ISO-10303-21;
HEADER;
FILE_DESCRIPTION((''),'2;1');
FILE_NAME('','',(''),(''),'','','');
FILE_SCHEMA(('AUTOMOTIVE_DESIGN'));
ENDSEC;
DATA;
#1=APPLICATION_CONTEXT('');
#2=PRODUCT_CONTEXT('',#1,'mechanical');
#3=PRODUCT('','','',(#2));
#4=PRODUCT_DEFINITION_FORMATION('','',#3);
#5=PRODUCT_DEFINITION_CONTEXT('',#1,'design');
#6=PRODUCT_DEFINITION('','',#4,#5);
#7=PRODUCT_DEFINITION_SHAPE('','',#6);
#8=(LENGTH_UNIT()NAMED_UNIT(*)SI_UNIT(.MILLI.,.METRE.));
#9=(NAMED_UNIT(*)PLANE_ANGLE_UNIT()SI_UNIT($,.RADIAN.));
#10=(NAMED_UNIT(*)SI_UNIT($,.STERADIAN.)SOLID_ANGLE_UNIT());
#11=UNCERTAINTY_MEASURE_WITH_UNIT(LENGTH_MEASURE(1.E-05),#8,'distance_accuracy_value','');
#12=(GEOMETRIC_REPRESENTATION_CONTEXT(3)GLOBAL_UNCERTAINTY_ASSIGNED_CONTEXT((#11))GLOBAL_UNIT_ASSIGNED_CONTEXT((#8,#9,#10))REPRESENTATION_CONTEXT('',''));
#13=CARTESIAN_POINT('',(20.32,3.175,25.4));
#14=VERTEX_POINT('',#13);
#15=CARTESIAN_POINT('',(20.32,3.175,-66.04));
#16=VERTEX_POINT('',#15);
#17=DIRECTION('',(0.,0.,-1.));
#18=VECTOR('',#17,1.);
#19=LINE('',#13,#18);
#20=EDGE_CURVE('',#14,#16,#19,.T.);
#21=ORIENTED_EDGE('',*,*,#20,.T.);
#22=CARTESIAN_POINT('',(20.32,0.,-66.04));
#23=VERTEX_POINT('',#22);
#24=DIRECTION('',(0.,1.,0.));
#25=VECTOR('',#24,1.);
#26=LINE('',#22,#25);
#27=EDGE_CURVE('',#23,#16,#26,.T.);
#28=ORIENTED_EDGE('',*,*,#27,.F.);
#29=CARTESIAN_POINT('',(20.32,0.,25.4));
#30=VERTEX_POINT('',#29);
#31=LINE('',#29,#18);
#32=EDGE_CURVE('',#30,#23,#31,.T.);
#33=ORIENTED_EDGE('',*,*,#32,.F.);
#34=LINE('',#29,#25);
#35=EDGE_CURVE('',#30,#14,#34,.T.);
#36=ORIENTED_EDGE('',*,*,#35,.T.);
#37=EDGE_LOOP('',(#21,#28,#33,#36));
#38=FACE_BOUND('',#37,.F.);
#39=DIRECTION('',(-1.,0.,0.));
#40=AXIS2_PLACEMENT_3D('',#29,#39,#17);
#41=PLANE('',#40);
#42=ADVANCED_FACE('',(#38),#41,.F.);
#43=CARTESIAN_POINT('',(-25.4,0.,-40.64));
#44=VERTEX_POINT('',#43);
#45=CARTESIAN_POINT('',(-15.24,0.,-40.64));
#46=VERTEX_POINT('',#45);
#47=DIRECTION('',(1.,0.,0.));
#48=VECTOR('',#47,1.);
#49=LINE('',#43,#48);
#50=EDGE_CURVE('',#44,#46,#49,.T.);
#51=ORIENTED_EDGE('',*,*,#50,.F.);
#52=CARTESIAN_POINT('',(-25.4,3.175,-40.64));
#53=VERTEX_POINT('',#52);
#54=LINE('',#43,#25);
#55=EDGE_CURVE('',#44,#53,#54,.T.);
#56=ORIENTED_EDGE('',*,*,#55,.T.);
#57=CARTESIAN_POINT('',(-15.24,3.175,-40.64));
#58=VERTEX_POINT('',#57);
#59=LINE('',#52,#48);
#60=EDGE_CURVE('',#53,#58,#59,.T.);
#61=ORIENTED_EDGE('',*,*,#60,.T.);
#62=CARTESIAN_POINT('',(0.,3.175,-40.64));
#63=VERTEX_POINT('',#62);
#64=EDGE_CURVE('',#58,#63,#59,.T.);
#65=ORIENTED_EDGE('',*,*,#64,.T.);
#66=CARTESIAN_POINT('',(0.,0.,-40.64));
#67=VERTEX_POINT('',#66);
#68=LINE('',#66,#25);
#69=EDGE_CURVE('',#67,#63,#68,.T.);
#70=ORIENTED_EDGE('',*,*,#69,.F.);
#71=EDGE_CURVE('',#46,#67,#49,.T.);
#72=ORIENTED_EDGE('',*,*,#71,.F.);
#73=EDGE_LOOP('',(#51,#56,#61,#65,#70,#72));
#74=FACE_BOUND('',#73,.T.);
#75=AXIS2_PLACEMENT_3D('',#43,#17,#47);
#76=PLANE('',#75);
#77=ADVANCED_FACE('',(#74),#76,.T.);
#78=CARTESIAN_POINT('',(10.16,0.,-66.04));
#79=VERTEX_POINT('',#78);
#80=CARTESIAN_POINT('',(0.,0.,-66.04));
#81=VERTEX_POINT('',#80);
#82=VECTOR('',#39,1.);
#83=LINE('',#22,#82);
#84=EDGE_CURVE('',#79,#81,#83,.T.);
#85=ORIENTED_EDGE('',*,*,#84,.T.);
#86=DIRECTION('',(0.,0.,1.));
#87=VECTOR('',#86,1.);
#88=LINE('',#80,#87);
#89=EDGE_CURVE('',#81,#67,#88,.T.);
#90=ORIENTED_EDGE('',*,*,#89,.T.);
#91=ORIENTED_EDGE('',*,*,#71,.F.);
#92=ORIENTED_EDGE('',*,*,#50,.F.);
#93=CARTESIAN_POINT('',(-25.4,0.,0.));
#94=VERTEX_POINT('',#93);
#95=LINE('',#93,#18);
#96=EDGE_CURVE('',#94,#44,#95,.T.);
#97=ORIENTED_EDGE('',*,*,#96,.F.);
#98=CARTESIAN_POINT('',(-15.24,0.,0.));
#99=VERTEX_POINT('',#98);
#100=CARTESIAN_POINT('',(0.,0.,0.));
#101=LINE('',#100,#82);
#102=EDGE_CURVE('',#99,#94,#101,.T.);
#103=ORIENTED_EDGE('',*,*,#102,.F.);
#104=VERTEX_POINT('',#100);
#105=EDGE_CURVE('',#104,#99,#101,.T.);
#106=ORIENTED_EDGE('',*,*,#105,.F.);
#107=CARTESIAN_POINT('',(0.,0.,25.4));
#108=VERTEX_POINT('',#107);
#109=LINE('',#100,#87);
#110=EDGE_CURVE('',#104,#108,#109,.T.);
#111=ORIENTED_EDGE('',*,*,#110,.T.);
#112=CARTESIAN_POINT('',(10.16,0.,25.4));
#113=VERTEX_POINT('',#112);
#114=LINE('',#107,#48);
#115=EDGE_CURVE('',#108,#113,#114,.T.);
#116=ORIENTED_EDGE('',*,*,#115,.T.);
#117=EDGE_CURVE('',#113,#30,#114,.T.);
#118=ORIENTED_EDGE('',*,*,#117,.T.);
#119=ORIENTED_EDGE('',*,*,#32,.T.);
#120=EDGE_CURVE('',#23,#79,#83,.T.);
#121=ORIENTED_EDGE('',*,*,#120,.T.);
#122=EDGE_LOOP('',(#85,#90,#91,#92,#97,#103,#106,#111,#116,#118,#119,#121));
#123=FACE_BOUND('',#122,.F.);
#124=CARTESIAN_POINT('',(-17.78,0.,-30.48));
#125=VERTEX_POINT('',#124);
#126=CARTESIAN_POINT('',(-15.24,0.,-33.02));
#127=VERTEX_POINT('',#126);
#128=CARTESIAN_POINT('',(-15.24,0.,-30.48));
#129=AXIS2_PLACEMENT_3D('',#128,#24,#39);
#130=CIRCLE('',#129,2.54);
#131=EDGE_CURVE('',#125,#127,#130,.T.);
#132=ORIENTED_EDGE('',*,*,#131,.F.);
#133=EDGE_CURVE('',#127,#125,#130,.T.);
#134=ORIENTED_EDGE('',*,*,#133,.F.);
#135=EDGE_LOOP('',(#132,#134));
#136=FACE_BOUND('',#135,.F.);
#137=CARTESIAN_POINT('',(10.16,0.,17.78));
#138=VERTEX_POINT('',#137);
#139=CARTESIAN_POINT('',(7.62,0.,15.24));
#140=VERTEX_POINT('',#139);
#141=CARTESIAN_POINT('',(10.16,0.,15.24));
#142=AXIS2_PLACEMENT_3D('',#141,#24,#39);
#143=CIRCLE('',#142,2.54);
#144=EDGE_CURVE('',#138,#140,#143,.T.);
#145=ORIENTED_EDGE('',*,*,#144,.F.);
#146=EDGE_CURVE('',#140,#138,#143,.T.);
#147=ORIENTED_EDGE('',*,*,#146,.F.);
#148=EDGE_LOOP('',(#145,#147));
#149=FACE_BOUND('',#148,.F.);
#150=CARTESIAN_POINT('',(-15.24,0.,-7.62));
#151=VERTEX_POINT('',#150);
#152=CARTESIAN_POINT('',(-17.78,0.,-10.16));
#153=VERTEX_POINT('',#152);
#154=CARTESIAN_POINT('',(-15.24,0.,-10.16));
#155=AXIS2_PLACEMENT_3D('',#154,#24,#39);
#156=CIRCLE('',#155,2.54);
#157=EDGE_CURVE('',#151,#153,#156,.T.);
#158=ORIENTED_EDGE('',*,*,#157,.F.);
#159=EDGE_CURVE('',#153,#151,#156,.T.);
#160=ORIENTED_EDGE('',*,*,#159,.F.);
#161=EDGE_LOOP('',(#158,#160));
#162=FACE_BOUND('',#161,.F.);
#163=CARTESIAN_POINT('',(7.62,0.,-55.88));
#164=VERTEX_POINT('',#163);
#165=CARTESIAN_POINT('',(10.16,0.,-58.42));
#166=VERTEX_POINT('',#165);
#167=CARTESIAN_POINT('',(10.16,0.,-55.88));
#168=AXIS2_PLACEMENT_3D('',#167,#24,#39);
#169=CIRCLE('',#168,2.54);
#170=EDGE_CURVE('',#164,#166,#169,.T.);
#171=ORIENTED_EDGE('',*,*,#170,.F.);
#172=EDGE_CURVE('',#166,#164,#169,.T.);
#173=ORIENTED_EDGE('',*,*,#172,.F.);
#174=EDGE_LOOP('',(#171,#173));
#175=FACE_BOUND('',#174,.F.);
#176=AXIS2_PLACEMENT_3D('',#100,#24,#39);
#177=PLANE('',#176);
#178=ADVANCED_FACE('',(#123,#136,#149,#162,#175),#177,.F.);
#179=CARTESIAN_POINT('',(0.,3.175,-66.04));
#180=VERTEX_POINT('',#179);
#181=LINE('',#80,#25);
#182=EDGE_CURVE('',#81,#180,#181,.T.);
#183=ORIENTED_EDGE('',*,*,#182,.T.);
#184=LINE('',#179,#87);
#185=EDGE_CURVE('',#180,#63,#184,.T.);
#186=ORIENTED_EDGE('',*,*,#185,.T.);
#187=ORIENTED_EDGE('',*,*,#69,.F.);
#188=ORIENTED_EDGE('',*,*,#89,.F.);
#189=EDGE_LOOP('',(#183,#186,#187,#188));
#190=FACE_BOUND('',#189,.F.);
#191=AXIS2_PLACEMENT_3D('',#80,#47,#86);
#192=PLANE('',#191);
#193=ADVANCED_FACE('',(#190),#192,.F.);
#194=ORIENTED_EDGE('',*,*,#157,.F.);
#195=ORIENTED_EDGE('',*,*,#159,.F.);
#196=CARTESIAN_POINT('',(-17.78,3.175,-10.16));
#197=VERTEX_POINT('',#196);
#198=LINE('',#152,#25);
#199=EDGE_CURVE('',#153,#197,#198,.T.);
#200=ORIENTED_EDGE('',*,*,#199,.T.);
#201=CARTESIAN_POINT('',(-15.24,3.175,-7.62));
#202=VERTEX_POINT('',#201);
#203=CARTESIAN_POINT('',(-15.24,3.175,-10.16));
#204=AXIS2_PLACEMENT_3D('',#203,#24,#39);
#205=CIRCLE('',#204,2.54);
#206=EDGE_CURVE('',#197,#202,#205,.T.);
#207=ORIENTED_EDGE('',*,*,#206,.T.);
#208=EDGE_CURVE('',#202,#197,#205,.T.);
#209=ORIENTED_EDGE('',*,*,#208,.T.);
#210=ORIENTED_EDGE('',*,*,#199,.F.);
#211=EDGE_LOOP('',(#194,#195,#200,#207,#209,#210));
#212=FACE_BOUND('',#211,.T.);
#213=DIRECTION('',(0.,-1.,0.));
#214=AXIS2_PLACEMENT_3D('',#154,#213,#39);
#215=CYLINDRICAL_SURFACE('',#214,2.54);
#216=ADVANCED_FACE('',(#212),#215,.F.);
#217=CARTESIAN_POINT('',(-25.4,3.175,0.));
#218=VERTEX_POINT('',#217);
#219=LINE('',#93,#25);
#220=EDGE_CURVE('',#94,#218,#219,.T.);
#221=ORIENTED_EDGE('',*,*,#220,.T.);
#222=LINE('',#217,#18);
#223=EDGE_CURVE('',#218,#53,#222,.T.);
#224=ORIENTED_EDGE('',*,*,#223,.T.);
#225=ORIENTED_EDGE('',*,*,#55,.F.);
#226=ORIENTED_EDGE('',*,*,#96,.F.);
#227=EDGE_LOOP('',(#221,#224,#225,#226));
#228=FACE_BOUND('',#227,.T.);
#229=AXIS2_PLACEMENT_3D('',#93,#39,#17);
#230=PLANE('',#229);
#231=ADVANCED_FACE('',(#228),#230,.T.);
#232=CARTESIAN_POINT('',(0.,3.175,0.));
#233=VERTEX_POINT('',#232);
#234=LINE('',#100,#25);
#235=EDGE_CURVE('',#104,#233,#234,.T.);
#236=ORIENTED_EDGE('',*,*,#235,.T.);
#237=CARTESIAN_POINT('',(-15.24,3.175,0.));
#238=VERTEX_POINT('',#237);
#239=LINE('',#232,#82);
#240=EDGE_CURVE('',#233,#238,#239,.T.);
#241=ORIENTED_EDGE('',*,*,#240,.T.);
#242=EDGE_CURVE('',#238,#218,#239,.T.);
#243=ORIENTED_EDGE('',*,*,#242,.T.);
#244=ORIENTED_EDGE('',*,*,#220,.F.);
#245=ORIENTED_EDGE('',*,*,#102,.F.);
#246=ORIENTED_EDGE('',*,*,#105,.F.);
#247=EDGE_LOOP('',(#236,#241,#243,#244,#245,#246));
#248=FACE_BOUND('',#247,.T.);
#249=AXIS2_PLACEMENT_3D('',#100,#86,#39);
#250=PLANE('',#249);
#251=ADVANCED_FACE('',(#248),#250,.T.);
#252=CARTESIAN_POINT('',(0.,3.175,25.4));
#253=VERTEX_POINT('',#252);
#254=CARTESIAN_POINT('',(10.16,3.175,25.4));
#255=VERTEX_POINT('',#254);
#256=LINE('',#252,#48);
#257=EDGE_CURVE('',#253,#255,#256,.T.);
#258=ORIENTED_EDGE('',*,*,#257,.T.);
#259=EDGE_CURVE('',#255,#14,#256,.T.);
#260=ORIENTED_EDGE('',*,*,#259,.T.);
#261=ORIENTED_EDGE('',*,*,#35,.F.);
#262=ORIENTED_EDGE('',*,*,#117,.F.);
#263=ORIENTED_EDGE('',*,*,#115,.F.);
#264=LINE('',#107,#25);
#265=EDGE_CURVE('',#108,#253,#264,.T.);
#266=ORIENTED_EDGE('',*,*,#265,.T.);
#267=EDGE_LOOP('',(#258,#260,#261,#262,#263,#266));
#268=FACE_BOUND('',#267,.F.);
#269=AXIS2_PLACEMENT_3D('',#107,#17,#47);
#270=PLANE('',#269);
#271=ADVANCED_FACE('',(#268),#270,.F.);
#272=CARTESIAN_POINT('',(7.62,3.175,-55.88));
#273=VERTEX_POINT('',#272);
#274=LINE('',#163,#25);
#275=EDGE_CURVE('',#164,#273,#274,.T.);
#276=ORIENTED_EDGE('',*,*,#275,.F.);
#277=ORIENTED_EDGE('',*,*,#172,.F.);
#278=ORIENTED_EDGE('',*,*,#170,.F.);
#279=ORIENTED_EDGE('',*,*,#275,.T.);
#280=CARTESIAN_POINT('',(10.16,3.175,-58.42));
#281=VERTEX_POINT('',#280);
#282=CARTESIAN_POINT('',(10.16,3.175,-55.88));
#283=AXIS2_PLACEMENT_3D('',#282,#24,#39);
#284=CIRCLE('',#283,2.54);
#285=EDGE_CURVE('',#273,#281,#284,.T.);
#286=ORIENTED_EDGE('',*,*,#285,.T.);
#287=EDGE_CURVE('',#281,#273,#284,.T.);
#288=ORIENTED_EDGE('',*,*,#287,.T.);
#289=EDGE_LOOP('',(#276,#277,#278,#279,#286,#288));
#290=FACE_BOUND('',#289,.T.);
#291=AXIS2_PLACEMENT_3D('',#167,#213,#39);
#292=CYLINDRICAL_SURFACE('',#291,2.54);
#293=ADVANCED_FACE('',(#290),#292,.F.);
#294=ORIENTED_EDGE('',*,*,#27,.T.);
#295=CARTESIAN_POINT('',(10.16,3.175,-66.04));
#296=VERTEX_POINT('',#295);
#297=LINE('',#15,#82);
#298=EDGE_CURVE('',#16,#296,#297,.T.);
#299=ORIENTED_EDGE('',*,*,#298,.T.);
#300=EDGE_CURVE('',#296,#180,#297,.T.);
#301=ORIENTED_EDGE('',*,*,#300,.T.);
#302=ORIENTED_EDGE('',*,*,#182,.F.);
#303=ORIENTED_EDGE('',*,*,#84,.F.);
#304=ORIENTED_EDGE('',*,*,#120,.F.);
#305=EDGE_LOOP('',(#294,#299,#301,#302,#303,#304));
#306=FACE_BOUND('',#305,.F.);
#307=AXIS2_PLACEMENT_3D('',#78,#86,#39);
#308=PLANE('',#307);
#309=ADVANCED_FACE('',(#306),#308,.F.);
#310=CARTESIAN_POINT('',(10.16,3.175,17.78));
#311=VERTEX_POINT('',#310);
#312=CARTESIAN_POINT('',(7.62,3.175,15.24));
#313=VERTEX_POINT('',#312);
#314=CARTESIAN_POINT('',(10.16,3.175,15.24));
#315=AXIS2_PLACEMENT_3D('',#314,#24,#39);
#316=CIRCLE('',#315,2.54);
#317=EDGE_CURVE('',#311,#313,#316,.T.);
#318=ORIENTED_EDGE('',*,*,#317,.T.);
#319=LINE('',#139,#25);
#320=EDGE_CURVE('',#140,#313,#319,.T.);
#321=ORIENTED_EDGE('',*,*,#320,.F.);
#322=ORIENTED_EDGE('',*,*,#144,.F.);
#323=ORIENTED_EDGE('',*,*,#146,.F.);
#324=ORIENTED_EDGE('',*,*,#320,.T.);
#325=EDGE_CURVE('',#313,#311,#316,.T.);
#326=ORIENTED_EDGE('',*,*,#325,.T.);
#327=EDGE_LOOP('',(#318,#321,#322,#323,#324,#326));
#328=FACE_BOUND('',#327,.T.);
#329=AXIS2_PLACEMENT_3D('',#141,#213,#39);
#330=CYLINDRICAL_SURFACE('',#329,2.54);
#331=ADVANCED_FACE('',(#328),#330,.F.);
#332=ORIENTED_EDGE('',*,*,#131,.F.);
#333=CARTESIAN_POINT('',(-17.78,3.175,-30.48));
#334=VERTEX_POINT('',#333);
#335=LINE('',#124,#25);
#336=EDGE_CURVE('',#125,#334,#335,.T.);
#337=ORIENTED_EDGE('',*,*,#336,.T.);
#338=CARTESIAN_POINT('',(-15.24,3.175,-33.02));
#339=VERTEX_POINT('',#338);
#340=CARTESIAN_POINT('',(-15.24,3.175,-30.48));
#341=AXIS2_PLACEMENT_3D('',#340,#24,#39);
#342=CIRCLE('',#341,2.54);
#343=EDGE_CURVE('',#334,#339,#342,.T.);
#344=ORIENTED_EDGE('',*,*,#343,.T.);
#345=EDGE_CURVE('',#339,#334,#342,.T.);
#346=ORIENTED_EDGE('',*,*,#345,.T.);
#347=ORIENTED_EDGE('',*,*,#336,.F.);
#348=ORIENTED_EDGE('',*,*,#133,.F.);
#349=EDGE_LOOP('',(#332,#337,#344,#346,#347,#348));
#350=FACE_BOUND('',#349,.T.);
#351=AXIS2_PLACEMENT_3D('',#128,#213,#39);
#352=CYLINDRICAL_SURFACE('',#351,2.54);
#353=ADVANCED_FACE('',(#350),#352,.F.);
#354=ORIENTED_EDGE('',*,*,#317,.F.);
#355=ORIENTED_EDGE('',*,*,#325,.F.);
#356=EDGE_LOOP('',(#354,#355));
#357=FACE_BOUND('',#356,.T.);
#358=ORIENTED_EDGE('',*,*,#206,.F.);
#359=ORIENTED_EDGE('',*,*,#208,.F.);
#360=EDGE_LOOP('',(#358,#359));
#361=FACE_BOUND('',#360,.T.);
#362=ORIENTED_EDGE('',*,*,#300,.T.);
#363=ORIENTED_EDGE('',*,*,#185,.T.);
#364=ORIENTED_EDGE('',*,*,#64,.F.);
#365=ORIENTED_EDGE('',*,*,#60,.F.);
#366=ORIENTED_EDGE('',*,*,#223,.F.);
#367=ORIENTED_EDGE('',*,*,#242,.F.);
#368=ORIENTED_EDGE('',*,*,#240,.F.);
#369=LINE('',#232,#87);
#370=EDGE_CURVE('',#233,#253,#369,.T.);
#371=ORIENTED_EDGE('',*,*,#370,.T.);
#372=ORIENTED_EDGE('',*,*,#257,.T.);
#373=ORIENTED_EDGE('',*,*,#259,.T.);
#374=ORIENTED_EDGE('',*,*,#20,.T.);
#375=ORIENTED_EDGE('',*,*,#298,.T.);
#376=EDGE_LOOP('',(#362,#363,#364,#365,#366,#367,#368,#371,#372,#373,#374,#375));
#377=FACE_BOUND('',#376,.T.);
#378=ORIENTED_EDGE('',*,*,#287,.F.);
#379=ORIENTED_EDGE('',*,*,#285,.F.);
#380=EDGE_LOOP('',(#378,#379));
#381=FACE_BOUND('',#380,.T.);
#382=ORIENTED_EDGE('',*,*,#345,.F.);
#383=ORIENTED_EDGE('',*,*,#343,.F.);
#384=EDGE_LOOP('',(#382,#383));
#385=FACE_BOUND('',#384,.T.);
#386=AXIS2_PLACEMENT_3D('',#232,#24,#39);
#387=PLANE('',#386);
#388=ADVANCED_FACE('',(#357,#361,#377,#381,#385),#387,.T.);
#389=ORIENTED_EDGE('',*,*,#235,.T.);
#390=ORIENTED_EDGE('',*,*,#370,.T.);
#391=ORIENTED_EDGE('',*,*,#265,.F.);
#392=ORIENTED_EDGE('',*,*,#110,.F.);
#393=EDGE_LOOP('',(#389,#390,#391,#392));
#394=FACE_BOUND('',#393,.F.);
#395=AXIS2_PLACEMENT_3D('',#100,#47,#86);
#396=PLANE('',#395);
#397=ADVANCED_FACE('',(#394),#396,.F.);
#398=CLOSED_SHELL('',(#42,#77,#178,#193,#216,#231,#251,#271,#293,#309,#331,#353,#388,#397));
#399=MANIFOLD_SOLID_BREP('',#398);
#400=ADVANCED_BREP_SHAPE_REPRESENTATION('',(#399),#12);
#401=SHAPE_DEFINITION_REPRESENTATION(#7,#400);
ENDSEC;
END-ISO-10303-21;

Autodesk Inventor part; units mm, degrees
ref_plane "YZ Plane" through (0, 0, 0) normal (1, 0, 0) x (0, 1, 0)
ref_plane "XZ Plane" through (0, 0, 0) normal (0, 1, 0) x (-1, 0, 0)
ref_plane "XY Plane" through (0, 0, 0) normal (0, 0, 1) x (1, 0, 0)
sketch "Sketch1" plane through (0, 0, 0) normal (0, 1, 0) x (-1, 0, 0)
  line L0 (0, 0) -> (25.4, 0)
  line L1 (25.4, 0) -> (25.4, -40.64)
  line L2 (25.4, -40.64) -> (0, -40.64)
  line L3 (0, -40.64) -> (0, 0)
  line L4 (25.4, 0) -> (15.24, 0)
  line L5 (15.24, 0) -> (15.24, -10.16)
  line L6 (25.4, -40.64) -> (15.24, -40.64)
  line L7 (15.24, -40.64) -> (15.24, -30.48)
  circle A0 centre (15.24, -10.16) radius 2.54
  circle A1 centre (15.24, -30.48) radius 2.54
  line L8 (0, 0) -> (0, 25.4)
  line L9 (0, 0) -> (25.4, 0) construction
  line L10 (0, 25.4) -> (-20.32, 25.4)
  line L11 (-20.32, 25.4) -> (-20.32, -66.04)
  line L12 (-20.32, -66.04) -> (0, -66.04)
  line L13 (0, -66.04) -> (0, -40.64)
  line L14 (-10.16, 25.4) -> (-10.16, 15.24)
  line L15 (-10.16, 25.4) -> (0, 25.4) construction
  line L16 (-10.16, -66.04) -> (-10.16, -55.88)
  line L17 (-10.16, -66.04) -> (0, -66.04) construction
  circle A2 centre (-10.16, 15.24) radius 2.54
  circle A3 centre (-10.16, -55.88) radius 2.54
  dimension "d0" = 25.4
  dimension "d1" = 40.64
  dimension "d2" = 10.16
  dimension "d3" = 10.16
  dimension "d4" = 90
  dimension "d5" = 10.16
  dimension "d6" = 10.16
  dimension "d7" = 90
  dimension "d8" = 5.08
  dimension "d9" = 5.08
  dimension "d10" = 25.4
  dimension "d11" = 90
  dimension "d12" = 20.32
  dimension "d13" = 91.44
  dimension "d14" = 90
  dimension "d15" = 20.32
  dimension "d16" = 90
  dimension "d17" = 10.16
  dimension "d18" = 90
  dimension "d19" = 10.16
  dimension "d20" = 90
  dimension "d21" = 5.08
  dimension "d22" = 5.08
extrude "Extrusion1" add sketch "Sketch1" along normal blind 3.175
properties part number "2020DoubleT"
